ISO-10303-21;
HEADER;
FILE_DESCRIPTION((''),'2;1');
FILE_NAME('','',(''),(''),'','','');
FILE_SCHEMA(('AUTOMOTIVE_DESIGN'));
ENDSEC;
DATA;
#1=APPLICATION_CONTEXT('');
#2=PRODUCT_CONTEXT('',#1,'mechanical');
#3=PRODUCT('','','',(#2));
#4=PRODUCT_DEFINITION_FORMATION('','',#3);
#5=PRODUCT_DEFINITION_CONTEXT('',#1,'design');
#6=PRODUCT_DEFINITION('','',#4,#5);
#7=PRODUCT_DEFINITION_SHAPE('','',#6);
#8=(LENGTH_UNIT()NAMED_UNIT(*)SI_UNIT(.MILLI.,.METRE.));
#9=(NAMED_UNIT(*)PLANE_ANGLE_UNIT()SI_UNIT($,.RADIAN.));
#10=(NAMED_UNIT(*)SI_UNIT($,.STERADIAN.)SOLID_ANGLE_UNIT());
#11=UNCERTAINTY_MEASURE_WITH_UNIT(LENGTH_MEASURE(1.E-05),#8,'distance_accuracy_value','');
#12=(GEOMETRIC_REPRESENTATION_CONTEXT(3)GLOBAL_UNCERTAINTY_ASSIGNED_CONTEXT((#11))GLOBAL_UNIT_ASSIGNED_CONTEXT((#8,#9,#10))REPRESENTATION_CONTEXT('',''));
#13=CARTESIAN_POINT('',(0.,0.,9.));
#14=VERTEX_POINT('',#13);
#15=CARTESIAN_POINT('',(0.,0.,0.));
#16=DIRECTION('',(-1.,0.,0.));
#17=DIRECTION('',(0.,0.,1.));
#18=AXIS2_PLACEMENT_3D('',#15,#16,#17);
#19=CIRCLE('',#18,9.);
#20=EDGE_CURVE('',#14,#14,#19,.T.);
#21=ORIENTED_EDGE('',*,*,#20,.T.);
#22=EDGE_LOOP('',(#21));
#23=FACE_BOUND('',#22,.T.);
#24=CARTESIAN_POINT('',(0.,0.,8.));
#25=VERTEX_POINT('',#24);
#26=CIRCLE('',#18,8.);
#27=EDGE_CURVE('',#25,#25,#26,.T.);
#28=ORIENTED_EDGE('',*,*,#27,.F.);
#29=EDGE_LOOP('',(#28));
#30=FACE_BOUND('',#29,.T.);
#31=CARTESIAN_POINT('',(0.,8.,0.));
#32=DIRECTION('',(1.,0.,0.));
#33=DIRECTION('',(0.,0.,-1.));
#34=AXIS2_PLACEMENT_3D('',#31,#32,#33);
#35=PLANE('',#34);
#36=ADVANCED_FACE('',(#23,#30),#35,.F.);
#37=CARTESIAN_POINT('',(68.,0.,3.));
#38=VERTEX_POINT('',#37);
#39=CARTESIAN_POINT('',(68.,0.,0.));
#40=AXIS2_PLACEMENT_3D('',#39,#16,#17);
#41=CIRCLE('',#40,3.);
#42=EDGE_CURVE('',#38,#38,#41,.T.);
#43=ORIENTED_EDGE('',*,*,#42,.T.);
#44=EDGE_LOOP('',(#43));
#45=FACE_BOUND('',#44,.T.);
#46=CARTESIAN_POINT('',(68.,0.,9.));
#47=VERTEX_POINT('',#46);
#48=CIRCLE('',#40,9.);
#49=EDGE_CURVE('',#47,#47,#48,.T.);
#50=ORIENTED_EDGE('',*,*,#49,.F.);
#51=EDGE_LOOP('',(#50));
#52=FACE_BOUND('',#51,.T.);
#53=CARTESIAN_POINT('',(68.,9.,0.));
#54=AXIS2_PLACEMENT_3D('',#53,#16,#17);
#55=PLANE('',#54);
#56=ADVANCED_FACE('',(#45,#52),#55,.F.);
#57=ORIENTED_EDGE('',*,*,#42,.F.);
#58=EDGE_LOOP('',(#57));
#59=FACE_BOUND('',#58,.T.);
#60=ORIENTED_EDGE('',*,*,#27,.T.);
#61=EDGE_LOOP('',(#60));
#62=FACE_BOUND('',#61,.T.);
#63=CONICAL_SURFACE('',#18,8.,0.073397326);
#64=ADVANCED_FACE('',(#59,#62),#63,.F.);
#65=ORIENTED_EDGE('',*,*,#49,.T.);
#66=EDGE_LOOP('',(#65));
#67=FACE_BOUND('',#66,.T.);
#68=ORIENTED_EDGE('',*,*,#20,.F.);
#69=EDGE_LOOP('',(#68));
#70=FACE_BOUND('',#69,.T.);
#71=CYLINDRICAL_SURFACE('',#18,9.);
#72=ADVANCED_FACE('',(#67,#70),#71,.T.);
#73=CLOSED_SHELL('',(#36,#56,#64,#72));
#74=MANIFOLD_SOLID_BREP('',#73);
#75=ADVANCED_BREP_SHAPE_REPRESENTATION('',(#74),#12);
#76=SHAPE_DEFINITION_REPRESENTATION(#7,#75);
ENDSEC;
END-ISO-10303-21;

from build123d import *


with BuildPart() as part:
    # Эскиз1 → Повернуть1 (revolve)
    with BuildSketch(Plane.XY, mode=Mode.PRIVATE) as revolve_1_sk:
        Polygon((0, 9), (68, 9), (68, 3), (0, 8), align=None)
    revolve(revolve_1_sk.sketch.rotate(Axis((0, 0, 0), (1, 0, 0)), 90), axis=Axis((0, 0, 0), (1, 0, 0)))


solid = part.part
